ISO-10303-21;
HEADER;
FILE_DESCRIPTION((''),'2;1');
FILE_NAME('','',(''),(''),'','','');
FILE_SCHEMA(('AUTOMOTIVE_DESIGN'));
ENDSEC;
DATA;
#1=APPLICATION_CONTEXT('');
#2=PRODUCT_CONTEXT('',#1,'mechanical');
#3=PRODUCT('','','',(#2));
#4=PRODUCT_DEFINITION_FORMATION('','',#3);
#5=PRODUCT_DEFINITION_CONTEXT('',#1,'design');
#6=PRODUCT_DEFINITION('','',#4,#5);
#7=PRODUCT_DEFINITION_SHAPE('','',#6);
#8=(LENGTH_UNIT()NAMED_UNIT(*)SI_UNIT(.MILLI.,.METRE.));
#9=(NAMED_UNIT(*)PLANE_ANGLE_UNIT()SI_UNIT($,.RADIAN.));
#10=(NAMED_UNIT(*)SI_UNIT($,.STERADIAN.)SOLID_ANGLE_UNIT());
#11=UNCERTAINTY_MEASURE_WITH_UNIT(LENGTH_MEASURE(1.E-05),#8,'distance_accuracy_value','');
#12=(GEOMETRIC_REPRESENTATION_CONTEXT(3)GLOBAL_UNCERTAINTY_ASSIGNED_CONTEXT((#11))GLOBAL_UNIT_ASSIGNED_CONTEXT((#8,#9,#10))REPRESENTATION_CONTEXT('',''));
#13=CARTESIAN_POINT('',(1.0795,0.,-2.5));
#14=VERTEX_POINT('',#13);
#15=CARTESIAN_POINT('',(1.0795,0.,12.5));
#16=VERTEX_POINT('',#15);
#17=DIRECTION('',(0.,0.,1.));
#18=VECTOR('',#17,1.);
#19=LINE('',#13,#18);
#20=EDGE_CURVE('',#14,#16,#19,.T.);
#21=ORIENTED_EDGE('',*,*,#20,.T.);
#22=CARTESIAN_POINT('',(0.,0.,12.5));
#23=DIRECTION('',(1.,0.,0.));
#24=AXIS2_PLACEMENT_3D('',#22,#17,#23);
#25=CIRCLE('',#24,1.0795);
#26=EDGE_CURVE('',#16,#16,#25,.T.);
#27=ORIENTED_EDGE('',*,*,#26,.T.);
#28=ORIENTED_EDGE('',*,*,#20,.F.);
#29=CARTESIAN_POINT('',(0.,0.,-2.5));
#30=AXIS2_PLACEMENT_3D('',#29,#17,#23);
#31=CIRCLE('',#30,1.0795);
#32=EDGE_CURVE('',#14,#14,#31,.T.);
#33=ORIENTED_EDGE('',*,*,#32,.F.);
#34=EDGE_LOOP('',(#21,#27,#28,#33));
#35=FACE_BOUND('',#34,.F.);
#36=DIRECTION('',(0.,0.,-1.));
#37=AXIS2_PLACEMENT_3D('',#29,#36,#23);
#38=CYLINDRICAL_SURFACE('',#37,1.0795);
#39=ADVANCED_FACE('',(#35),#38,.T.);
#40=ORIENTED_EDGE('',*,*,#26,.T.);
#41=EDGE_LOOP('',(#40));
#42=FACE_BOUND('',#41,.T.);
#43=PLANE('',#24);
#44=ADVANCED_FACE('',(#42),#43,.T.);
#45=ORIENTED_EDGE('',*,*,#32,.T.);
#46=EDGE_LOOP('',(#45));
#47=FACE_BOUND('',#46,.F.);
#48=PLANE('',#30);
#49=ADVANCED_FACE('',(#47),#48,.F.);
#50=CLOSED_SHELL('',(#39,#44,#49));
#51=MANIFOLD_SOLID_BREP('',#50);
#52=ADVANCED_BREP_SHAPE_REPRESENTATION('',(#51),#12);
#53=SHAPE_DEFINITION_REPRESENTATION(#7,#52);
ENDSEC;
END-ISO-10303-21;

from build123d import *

# Parameters (mm, degrees)
CYLINDER_R     = 1.0795
CYLINDER_DEPTH = 15


with BuildPart() as part:
    # Cylinder → Cylinder (new body)
    with BuildSketch(Plane.XY.offset(-2.5)):
        Circle(CYLINDER_R)
    extrude(amount=CYLINDER_DEPTH)


solid = part.part
